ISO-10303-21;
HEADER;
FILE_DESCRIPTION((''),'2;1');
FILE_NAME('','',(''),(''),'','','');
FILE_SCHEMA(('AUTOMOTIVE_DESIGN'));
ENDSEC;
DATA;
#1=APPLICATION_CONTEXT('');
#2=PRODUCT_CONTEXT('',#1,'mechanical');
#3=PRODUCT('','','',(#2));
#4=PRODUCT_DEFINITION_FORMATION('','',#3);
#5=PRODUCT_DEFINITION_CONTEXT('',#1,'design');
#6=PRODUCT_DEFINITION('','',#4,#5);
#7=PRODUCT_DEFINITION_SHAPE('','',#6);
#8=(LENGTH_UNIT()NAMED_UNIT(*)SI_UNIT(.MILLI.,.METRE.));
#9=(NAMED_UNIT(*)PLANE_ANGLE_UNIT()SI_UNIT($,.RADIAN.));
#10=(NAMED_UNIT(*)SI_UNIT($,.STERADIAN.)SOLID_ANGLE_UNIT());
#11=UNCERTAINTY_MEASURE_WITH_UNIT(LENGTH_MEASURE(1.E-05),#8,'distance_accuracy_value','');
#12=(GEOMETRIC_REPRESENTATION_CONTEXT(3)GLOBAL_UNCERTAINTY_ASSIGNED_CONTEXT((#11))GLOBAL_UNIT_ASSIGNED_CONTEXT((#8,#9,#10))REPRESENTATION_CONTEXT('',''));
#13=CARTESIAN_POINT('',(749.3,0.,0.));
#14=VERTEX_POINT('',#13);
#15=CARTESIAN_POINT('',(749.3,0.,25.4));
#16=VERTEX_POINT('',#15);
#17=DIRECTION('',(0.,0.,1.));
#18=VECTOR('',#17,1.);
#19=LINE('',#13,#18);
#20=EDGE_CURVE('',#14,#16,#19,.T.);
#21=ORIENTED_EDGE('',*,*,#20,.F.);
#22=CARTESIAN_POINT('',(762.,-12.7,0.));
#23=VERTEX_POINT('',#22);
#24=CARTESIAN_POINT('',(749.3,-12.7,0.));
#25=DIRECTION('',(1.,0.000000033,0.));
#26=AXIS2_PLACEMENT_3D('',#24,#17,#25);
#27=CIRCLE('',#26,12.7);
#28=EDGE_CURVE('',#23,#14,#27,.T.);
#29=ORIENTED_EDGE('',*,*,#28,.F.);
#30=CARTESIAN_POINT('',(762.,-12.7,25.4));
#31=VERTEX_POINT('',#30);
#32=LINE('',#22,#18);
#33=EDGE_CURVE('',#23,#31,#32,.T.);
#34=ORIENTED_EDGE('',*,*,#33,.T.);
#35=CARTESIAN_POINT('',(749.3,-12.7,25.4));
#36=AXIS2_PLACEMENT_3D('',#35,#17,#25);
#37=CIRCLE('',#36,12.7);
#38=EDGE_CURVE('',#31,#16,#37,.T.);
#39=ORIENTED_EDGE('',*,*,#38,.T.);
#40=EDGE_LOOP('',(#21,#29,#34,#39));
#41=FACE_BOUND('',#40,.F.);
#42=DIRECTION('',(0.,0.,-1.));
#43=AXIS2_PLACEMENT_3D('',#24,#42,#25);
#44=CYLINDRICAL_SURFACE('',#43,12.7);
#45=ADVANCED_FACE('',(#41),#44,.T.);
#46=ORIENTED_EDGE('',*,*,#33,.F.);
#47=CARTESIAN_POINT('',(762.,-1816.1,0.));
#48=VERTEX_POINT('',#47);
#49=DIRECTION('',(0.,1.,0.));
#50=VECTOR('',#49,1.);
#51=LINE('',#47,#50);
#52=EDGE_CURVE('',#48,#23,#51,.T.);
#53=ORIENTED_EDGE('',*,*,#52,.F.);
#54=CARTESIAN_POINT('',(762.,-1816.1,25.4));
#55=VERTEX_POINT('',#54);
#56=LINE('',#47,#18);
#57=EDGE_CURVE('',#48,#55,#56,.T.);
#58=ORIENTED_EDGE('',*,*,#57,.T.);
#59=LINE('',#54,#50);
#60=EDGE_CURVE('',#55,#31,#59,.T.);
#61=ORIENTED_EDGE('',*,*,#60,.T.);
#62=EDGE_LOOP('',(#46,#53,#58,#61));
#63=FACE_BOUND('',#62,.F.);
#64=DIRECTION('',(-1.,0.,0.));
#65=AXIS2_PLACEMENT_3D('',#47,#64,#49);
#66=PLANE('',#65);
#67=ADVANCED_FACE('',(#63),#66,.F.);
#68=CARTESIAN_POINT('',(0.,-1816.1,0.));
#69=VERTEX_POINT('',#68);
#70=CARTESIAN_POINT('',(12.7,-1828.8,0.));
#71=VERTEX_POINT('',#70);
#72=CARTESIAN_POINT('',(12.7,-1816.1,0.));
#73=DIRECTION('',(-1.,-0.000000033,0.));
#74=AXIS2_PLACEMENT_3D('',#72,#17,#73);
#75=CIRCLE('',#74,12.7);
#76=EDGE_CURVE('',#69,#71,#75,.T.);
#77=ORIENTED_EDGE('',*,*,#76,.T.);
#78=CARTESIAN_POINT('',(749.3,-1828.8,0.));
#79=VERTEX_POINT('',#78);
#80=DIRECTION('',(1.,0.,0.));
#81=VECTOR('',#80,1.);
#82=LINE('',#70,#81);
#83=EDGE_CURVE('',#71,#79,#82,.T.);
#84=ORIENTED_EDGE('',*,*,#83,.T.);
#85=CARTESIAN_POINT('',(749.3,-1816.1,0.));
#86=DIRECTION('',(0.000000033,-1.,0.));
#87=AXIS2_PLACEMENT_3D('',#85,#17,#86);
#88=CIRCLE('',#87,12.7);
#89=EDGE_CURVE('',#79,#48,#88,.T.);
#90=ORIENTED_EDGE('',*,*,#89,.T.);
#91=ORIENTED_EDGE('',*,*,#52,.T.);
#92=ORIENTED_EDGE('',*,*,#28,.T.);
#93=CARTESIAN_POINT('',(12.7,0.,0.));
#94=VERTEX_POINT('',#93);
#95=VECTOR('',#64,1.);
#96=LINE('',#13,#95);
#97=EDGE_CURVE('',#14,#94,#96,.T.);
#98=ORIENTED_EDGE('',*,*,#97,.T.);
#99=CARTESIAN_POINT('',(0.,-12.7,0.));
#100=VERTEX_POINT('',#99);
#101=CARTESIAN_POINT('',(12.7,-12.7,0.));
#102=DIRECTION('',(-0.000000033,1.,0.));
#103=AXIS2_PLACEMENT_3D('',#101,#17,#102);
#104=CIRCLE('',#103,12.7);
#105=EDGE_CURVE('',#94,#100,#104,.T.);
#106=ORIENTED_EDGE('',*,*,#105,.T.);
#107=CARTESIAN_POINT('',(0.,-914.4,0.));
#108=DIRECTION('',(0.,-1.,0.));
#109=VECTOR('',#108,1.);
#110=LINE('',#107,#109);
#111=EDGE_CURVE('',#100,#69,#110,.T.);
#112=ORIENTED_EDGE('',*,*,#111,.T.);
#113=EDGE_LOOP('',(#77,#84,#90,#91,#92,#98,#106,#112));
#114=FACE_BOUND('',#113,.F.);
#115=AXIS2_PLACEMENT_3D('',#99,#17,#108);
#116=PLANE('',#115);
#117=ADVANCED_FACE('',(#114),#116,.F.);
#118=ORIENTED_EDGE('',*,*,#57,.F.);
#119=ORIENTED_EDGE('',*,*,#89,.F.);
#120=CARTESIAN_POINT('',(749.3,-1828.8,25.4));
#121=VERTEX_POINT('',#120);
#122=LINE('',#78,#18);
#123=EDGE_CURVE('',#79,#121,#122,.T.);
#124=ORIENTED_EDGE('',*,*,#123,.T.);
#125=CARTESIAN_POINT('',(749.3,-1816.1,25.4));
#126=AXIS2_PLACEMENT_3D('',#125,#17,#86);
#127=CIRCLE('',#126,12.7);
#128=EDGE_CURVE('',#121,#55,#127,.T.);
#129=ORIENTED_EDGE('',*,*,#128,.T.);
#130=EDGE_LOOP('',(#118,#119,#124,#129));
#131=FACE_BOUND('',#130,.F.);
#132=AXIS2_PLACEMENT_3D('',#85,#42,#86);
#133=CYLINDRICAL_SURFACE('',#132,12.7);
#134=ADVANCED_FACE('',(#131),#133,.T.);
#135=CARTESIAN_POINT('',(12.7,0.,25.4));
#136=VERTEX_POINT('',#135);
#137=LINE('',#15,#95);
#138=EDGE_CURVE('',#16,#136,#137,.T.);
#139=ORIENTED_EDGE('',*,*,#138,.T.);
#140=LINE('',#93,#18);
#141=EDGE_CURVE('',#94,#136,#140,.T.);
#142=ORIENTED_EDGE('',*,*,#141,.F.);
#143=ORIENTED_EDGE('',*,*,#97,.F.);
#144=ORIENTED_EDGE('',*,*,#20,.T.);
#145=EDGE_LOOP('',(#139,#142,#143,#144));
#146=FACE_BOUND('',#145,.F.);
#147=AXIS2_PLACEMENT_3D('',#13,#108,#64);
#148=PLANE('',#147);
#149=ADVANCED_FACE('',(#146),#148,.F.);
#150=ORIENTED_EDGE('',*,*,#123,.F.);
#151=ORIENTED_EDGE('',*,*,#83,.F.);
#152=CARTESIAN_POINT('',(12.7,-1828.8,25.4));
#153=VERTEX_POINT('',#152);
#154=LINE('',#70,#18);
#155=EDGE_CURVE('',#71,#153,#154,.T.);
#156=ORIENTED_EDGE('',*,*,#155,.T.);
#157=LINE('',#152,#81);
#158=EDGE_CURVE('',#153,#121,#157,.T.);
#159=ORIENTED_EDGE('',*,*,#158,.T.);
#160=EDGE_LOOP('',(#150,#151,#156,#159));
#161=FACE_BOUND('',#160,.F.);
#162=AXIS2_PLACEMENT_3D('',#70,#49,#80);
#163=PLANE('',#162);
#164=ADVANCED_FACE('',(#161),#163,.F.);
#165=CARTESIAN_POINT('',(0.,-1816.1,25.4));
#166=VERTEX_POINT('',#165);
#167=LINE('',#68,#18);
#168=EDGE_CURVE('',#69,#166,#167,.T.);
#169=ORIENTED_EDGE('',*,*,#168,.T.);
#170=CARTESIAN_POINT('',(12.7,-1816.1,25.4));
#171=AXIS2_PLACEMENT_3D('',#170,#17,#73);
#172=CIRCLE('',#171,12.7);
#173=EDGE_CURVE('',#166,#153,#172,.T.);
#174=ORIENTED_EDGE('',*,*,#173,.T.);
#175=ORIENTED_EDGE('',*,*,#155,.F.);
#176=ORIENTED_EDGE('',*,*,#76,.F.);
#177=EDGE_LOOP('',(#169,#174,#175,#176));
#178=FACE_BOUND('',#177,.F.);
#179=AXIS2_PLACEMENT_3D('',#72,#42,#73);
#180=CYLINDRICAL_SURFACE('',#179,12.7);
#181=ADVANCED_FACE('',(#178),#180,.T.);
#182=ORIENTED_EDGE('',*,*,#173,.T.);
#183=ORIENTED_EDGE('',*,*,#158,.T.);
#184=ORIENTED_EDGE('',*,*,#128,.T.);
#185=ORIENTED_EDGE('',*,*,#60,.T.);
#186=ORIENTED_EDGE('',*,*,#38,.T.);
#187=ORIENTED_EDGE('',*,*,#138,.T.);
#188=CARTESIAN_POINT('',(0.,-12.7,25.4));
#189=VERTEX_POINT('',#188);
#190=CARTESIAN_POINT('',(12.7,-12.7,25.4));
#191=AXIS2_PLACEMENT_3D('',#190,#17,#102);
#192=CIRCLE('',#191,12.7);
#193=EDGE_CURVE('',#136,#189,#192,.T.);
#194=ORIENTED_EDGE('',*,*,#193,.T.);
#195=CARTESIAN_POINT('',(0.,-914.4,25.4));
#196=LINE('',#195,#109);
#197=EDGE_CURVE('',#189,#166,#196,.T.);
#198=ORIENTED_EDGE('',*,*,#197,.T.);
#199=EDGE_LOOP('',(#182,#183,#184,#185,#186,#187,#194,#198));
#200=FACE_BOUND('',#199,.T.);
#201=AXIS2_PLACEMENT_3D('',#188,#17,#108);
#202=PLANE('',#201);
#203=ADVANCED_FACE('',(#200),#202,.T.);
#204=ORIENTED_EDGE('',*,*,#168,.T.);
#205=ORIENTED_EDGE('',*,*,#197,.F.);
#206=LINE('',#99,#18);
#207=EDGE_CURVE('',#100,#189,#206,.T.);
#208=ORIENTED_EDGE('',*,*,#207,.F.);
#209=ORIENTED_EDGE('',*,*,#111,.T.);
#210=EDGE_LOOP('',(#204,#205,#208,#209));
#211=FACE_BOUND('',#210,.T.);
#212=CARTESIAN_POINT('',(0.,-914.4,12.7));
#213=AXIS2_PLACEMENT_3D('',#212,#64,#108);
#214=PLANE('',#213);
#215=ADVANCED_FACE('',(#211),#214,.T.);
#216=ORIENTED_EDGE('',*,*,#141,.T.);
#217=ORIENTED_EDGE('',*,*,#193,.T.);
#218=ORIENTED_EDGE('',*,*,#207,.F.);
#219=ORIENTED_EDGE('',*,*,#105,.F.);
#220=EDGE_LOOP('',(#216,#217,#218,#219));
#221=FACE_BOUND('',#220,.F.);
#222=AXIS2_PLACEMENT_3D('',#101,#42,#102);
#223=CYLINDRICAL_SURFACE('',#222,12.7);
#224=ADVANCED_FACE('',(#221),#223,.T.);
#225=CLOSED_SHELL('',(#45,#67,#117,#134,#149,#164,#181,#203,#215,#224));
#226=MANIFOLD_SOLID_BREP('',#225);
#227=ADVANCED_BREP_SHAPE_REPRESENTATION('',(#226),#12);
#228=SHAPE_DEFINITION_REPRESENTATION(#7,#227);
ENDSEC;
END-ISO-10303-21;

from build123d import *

# Parameters (mm, degrees)
F1_DEPTH  = 25.4
F3_W      = 1803.4
F3_H      = 25.4
F4_DEPTH  = 3.175
F4_FACE_W = 1803.4
F4_FACE_H = 25.4
F5_DEPTH  = 3.175


with BuildPart() as f1:
    # F0 (on Top) → F1 (new body)
    with BuildSketch(Plane.XY):
        with BuildLine():
            Line((749.3, 0), (12.7, 0))
            ThreePointArc((12.7, 0), (3.719744, -3.719744), (0, -12.7))
            Line((0, -12.7), (0, -1816.1))
            ThreePointArc((0, -1816.1), (3.719744, -1825.080256), (12.7, -1828.8))
            Line((12.7, -1828.8), (749.3, -1828.8))
            ThreePointArc((749.3, -1828.8), (758.280256, -1825.080256), (762, -1816.1))
            Line((762, -1816.1), (762, -12.7))
            ThreePointArc((762, -12.7), (758.280256, -3.719744), (749.3, 0))
        make_face()
    extrude(amount=F1_DEPTH)

    # F3 (on face) → F4 (join)
    with BuildSketch(Plane(origin=(0, 0, 0), x_dir=(0, -1, 0), z_dir=(-1, 0, 0))):
        with Locations((914.4, 12.7)):
            Rectangle(F3_W, F3_H)
    extrude(amount=F4_DEPTH)

    # F4_face (on face) → F5 (cut)
    with BuildSketch(Plane(origin=(-3.175, -914.4, 12.7), x_dir=(0, -1, 0), z_dir=(-1, 0, 0))):
        Rectangle(F4_FACE_W, F4_FACE_H)
    extrude(amount=-F5_DEPTH, mode=Mode.SUBTRACT)


solid = f1.part
